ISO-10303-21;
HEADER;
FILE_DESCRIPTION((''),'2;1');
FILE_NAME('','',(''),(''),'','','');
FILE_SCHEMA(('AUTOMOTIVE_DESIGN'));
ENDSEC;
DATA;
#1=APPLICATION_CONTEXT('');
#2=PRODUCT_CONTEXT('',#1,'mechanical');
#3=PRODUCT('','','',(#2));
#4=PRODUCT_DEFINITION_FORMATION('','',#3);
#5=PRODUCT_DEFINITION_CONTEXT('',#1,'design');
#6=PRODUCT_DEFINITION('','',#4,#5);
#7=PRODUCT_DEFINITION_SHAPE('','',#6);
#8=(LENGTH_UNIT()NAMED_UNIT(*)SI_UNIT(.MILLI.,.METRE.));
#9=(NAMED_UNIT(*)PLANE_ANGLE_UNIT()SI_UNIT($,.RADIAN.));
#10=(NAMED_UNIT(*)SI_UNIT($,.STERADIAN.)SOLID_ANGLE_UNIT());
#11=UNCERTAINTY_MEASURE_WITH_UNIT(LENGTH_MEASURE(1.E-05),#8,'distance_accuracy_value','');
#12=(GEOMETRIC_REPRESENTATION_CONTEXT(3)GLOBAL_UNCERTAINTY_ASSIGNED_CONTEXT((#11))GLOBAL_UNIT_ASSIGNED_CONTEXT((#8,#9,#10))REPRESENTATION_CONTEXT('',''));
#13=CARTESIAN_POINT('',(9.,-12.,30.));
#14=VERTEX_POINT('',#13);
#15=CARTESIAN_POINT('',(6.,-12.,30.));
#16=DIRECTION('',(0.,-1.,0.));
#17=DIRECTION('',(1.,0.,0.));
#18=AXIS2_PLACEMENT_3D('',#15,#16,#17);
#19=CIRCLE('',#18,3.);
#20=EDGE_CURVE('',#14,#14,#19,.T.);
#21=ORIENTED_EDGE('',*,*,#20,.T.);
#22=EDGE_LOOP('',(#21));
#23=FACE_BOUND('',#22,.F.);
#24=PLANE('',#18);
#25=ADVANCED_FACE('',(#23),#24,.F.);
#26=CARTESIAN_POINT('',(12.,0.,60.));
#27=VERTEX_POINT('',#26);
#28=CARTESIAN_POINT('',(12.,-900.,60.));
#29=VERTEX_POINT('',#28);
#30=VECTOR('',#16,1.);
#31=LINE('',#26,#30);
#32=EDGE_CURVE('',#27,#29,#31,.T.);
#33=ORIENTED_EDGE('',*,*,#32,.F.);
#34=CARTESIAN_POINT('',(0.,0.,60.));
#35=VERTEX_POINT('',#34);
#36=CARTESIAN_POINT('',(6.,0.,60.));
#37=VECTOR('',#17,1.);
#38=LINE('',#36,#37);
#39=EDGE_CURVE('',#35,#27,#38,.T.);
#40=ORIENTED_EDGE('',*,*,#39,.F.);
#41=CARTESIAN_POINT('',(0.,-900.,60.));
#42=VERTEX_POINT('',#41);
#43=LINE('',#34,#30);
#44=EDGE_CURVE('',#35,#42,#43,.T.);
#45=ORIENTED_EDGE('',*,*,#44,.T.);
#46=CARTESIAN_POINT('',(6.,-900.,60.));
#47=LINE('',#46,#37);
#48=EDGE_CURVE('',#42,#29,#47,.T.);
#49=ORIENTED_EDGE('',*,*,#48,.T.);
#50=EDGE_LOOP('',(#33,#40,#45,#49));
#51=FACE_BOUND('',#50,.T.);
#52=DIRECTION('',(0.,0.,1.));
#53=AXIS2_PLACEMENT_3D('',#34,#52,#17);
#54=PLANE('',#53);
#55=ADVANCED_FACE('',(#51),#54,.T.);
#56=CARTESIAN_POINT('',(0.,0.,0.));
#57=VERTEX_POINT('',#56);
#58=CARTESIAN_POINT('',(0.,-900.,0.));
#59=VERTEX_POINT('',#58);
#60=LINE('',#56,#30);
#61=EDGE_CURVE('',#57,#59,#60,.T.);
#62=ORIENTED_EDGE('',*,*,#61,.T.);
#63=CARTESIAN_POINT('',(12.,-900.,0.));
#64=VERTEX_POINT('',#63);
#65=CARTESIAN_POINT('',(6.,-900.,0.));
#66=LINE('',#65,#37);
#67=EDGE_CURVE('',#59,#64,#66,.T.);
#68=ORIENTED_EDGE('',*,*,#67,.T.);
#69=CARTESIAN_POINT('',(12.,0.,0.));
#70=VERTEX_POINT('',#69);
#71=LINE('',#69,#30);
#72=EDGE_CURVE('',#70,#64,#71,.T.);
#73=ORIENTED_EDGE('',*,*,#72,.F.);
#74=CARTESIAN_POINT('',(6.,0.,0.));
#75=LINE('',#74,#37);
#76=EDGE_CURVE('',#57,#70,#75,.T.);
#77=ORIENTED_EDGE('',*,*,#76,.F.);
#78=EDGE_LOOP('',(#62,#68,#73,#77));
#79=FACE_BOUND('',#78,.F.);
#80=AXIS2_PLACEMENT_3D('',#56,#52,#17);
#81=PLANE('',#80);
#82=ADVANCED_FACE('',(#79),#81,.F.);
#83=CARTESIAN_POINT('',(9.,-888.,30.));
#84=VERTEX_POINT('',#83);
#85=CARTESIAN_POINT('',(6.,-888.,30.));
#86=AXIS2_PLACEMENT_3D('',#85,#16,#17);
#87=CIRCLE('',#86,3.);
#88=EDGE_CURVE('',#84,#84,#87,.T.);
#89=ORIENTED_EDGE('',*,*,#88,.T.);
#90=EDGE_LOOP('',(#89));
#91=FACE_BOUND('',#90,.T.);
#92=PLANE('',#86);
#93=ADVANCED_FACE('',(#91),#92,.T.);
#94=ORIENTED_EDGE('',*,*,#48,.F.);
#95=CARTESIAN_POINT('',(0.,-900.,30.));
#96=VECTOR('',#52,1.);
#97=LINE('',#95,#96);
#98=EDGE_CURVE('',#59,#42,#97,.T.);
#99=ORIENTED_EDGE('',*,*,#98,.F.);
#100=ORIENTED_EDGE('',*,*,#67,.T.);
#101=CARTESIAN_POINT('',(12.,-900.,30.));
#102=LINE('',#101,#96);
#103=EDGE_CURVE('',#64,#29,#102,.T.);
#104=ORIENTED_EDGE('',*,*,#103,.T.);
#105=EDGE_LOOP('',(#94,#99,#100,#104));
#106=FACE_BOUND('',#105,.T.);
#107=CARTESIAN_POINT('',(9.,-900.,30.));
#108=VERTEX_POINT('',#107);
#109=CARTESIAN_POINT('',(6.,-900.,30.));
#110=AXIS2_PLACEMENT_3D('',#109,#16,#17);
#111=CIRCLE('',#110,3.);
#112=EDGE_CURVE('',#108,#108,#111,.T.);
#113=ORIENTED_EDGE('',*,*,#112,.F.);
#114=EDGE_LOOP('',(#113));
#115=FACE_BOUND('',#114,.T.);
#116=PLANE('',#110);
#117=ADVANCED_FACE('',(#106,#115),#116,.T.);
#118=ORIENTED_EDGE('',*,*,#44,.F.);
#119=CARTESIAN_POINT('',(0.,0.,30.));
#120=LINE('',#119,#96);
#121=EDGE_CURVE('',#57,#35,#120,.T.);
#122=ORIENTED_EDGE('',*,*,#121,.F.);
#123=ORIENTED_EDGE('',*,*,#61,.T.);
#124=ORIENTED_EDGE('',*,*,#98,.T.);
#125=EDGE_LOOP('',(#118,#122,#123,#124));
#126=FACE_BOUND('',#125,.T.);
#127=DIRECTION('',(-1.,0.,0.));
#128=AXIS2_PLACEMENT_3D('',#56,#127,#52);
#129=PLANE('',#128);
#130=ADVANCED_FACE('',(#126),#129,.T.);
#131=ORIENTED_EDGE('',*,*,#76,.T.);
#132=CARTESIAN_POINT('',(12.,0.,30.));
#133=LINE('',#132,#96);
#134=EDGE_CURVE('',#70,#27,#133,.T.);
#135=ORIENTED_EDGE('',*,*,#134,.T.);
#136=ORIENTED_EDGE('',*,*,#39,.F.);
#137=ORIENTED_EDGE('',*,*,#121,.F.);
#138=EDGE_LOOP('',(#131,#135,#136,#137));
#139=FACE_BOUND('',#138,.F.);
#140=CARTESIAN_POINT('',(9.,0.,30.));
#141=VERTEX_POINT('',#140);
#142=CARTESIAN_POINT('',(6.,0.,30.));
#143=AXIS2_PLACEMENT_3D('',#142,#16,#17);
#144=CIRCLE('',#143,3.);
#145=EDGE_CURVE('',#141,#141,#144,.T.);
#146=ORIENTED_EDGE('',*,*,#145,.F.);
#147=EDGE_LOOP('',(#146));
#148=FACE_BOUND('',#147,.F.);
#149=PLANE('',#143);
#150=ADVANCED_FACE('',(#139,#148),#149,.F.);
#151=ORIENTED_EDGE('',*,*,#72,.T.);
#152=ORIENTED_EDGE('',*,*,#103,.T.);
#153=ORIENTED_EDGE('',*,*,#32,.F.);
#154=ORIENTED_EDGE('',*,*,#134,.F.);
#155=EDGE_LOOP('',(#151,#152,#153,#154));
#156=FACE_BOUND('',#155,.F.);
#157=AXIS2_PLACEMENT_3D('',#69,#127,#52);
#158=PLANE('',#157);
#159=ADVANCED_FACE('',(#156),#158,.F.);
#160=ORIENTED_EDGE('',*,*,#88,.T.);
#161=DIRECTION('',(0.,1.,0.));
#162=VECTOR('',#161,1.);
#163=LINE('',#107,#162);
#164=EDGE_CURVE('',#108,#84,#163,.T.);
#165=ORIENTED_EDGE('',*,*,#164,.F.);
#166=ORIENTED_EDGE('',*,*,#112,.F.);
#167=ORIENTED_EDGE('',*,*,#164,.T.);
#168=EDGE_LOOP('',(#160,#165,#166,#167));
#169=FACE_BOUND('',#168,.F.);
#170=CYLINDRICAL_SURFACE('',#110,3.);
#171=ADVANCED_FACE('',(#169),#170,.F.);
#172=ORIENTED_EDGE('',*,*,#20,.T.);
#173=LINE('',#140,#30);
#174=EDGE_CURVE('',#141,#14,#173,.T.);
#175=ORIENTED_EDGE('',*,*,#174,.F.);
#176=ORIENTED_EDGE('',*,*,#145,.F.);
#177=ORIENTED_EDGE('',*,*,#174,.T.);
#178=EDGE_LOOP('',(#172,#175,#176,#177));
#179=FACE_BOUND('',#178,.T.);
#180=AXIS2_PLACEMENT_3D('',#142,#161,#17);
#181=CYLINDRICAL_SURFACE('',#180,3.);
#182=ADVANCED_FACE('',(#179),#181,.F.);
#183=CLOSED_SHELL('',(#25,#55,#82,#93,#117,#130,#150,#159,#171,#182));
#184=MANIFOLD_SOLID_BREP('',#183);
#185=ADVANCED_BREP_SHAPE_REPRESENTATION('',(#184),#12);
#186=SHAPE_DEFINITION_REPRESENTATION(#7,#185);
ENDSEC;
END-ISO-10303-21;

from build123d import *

# Parameters (mm, degrees)
F0_W     = 12
F0_H     = 60
F1_DEPTH = 900
F3_R     = 3
F4_DEPTH = 12
F2_R     = 3
F5_DEPTH = 12


with BuildPart() as f1:
    # F0 (on Front) → F1 (new body)
    with BuildSketch(Plane.XZ):
        with Locations((6, 30)):
            Rectangle(F0_W, F0_H)
    extrude(amount=F1_DEPTH)

    # F3 (on Front) → F4 (cut)
    with BuildSketch(Plane.XZ):
        with Locations((6, 30)):
            Circle(F3_R)
    extrude(amount=F4_DEPTH, mode=Mode.SUBTRACT)

    # F2 (on face) → F5 (cut)
    with BuildSketch(Plane.XZ.offset(900)):
        with Locations((6, 30)):
            Circle(F2_R)
    extrude(amount=-F5_DEPTH, mode=Mode.SUBTRACT)


solid = f1.part
